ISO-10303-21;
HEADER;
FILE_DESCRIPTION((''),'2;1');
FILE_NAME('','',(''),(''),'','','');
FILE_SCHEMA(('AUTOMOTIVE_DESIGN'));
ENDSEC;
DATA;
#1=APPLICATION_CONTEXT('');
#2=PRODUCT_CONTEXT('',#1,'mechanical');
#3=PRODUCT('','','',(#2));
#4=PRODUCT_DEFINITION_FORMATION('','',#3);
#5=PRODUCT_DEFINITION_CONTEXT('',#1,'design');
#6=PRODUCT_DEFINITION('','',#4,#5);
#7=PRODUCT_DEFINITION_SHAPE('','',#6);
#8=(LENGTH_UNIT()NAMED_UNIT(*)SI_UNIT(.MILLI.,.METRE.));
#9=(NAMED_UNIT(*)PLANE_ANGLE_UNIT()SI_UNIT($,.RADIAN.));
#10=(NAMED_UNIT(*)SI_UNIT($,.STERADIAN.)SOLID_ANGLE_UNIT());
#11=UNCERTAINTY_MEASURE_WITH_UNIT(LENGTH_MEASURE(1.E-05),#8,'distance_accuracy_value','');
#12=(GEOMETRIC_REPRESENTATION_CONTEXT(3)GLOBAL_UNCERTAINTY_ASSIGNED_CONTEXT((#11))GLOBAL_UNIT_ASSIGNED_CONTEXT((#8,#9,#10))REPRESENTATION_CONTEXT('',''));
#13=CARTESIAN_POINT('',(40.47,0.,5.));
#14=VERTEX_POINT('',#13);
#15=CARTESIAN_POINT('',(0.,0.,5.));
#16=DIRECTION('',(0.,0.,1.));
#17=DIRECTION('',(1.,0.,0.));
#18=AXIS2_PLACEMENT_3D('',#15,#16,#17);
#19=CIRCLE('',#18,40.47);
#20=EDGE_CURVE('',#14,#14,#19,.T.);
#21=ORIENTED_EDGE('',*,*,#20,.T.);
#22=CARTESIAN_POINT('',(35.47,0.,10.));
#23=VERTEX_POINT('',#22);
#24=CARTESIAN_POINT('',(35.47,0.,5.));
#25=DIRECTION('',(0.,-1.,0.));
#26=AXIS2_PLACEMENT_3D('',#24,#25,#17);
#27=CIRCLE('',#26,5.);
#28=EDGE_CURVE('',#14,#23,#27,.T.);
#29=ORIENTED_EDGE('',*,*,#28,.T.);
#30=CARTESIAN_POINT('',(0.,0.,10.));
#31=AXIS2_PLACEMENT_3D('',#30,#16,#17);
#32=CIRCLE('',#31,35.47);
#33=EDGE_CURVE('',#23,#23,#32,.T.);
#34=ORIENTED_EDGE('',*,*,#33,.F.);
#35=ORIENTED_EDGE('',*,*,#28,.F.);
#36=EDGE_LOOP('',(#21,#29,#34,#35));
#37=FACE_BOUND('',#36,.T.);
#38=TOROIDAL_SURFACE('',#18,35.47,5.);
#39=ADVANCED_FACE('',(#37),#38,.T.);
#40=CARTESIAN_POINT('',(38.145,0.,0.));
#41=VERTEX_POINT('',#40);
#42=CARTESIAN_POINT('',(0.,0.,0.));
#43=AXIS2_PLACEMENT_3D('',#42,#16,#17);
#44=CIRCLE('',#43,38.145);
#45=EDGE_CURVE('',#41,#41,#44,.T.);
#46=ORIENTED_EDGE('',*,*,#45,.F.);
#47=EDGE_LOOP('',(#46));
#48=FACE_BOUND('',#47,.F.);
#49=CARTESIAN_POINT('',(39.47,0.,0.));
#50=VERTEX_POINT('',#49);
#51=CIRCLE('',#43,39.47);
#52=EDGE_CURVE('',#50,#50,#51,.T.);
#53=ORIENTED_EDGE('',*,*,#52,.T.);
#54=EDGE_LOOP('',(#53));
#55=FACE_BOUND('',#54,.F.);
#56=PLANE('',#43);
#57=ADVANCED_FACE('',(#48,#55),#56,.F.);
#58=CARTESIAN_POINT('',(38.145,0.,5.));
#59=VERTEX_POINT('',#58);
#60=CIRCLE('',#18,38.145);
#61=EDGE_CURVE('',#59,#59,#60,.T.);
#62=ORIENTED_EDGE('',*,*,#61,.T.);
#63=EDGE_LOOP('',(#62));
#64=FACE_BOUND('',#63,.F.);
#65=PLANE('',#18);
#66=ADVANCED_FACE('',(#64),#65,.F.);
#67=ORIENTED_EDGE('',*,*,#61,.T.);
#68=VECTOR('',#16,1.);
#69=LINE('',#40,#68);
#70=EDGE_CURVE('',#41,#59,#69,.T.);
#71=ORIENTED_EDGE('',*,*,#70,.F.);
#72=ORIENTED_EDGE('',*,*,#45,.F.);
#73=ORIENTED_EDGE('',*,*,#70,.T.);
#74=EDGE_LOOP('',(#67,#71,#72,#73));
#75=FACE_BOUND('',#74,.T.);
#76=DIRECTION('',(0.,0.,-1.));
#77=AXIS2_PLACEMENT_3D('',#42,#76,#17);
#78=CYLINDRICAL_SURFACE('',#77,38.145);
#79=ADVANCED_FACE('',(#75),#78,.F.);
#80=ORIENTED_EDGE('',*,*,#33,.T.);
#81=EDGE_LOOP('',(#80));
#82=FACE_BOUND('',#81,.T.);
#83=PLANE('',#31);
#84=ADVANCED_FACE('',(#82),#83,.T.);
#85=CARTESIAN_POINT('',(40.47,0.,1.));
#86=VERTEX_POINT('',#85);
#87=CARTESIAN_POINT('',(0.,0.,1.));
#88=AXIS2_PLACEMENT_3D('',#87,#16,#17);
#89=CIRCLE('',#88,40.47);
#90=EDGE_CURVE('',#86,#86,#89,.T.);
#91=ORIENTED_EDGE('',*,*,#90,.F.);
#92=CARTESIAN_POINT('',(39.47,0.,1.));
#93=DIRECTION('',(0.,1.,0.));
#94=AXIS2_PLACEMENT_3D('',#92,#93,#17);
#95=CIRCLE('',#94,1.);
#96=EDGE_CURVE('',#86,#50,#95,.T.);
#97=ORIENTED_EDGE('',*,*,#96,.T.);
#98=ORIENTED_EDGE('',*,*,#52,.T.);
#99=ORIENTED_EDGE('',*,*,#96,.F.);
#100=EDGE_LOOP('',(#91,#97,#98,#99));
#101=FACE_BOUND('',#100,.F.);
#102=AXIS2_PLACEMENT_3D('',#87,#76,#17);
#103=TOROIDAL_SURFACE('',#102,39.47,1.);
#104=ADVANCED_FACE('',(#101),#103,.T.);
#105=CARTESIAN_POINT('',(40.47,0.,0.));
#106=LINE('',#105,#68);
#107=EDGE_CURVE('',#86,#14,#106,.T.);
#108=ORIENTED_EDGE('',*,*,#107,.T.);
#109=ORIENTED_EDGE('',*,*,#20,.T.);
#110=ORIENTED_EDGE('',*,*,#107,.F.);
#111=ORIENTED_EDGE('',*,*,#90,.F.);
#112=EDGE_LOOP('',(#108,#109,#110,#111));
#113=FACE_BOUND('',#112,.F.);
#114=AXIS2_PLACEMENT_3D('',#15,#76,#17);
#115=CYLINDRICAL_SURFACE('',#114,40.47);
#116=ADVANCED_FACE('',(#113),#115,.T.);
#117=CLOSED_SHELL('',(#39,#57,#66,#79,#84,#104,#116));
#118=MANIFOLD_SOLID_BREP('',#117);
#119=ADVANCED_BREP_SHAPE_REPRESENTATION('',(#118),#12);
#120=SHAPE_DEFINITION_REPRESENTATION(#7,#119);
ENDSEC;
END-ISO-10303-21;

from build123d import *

# Parameters (mm, degrees)
F0_R     = 40.47
F0_R_2   = 38.145
F1_DEPTH = 5
F2_R     = 40.47
F3_DEPTH = 5
F4_R     = 5
F5_R     = 1


with BuildPart() as f1:
    # F0 (on Top) → F1 (new body)
    with BuildSketch(Plane.XY):
        Circle(F0_R)
        Circle(F0_R_2, mode=Mode.SUBTRACT)
    extrude(amount=F1_DEPTH)

    # F2 (on face) → F3 (join)
    with BuildSketch(Plane.XY.offset(5)):
        Circle(F2_R)
    extrude(amount=F3_DEPTH)

    # F4
    f4_edges = [f1.edges().sort_by_distance(p)[0] for p in [
        (-40.47, 0, 10),
    ]]
    fillet(f4_edges, radius=F4_R)

    # F5
    f5_edges = [f1.edges().sort_by_distance(p)[0] for p in [
        (-40.47, 0, 0),
    ]]
    fillet(f5_edges, radius=F5_R)


solid = f1.part
